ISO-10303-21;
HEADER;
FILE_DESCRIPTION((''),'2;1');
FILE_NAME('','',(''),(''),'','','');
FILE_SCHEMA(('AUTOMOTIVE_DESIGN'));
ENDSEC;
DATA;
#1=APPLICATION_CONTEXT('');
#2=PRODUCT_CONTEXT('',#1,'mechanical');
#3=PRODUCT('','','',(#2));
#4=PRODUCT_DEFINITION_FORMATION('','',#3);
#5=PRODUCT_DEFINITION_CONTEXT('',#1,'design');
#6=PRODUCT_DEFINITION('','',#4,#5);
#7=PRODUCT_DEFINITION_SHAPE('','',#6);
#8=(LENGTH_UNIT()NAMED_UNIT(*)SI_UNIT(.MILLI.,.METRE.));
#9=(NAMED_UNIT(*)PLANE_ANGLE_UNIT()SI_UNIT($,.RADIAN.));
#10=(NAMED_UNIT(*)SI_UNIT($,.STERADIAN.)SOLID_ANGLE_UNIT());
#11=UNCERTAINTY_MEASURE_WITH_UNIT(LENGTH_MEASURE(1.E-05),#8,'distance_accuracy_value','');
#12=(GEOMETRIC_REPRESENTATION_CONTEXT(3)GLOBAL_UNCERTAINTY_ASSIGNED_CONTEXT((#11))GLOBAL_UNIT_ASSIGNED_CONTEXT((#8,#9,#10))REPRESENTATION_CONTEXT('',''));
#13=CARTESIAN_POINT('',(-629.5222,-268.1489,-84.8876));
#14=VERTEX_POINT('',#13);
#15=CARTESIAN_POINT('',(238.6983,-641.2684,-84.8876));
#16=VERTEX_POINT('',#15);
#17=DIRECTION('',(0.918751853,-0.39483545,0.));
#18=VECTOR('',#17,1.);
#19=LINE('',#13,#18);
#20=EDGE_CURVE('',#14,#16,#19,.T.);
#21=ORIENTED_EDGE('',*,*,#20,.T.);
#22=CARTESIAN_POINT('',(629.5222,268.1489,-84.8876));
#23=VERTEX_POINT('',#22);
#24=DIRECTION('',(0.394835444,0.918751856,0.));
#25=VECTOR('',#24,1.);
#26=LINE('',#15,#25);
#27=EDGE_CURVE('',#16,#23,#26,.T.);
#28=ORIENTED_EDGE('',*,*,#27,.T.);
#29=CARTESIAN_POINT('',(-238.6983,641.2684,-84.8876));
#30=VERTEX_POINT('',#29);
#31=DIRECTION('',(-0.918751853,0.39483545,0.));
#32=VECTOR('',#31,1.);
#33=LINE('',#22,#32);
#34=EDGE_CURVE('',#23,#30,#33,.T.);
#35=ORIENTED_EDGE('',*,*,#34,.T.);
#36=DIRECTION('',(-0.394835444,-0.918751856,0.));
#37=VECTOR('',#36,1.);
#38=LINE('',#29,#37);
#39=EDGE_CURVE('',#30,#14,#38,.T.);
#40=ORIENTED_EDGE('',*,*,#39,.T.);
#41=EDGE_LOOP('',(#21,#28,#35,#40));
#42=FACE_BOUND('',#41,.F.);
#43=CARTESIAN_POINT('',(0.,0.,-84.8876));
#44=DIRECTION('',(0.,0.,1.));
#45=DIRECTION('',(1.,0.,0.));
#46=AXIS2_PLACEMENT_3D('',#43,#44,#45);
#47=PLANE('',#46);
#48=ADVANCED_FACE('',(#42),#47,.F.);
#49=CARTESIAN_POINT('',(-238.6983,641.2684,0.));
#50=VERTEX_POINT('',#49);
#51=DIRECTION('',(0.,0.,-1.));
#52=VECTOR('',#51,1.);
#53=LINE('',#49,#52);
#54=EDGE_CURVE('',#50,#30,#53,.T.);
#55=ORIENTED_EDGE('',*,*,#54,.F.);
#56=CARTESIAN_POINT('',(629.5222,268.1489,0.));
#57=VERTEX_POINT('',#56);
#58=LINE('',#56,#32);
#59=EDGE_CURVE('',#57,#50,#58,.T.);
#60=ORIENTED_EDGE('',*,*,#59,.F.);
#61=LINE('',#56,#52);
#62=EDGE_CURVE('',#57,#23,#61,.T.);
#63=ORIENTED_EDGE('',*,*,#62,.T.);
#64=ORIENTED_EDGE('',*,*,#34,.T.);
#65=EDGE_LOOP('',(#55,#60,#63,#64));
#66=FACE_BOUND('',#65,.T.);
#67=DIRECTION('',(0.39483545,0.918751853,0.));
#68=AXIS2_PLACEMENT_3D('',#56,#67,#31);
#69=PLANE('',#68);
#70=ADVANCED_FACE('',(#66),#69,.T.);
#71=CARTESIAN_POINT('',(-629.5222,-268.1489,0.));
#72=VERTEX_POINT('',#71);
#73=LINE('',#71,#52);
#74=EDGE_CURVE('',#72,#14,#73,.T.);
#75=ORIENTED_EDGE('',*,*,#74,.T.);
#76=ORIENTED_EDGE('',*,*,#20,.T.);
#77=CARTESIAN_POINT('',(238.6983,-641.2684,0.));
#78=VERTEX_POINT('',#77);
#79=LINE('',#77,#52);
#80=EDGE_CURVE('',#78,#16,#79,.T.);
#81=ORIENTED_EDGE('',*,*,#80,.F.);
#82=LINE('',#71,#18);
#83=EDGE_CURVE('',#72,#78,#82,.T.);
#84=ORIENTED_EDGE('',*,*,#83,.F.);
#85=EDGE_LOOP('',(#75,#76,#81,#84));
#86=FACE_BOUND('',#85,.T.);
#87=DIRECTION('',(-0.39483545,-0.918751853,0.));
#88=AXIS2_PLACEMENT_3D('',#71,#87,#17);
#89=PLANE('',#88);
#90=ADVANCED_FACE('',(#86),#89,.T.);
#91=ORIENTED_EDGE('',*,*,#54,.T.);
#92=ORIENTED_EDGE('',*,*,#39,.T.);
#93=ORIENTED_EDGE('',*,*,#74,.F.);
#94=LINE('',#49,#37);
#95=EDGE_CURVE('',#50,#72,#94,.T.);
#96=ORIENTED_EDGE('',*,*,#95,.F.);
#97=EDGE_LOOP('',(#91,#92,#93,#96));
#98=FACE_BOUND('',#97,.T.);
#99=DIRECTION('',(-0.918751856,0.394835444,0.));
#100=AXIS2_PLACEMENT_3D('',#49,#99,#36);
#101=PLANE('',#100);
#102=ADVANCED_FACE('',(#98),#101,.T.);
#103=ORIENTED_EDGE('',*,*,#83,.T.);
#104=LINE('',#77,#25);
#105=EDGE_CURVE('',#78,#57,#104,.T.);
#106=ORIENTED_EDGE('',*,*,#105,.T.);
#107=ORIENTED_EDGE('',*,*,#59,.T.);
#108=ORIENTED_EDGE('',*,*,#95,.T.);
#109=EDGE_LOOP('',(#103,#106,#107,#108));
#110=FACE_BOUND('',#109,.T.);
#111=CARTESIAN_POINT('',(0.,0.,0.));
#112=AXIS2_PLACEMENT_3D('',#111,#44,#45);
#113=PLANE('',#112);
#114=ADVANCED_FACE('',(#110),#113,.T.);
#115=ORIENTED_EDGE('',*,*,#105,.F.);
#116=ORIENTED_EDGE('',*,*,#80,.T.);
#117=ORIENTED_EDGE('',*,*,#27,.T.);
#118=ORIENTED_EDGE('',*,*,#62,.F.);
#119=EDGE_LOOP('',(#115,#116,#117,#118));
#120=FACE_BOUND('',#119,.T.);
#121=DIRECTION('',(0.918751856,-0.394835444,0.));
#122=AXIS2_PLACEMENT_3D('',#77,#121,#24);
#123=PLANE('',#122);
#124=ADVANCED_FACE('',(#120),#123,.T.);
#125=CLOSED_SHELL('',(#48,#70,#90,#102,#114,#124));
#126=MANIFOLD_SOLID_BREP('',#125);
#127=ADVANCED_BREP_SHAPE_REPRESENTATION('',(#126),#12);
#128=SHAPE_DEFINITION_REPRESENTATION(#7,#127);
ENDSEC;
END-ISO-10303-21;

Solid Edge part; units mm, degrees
sketch "Sketch1" plane through (0, 0, 0) normal (0, 0, 1) x (1, 0, 0)
  line L0 (-238.6983, 641.2684) -> (-629.5222, -268.1489)
  line L1 (-629.5222, -268.1489) -> (238.6983, -641.2684)
  line L2 (238.6983, -641.2684) -> (629.5222, 268.1489)
  line L3 (629.5222, 268.1489) -> (-238.6983, 641.2684)
extrude "Protrusion1" add sketch "Sketch1" against normal blind 84.8876
properties material "Wood, Walnut"
